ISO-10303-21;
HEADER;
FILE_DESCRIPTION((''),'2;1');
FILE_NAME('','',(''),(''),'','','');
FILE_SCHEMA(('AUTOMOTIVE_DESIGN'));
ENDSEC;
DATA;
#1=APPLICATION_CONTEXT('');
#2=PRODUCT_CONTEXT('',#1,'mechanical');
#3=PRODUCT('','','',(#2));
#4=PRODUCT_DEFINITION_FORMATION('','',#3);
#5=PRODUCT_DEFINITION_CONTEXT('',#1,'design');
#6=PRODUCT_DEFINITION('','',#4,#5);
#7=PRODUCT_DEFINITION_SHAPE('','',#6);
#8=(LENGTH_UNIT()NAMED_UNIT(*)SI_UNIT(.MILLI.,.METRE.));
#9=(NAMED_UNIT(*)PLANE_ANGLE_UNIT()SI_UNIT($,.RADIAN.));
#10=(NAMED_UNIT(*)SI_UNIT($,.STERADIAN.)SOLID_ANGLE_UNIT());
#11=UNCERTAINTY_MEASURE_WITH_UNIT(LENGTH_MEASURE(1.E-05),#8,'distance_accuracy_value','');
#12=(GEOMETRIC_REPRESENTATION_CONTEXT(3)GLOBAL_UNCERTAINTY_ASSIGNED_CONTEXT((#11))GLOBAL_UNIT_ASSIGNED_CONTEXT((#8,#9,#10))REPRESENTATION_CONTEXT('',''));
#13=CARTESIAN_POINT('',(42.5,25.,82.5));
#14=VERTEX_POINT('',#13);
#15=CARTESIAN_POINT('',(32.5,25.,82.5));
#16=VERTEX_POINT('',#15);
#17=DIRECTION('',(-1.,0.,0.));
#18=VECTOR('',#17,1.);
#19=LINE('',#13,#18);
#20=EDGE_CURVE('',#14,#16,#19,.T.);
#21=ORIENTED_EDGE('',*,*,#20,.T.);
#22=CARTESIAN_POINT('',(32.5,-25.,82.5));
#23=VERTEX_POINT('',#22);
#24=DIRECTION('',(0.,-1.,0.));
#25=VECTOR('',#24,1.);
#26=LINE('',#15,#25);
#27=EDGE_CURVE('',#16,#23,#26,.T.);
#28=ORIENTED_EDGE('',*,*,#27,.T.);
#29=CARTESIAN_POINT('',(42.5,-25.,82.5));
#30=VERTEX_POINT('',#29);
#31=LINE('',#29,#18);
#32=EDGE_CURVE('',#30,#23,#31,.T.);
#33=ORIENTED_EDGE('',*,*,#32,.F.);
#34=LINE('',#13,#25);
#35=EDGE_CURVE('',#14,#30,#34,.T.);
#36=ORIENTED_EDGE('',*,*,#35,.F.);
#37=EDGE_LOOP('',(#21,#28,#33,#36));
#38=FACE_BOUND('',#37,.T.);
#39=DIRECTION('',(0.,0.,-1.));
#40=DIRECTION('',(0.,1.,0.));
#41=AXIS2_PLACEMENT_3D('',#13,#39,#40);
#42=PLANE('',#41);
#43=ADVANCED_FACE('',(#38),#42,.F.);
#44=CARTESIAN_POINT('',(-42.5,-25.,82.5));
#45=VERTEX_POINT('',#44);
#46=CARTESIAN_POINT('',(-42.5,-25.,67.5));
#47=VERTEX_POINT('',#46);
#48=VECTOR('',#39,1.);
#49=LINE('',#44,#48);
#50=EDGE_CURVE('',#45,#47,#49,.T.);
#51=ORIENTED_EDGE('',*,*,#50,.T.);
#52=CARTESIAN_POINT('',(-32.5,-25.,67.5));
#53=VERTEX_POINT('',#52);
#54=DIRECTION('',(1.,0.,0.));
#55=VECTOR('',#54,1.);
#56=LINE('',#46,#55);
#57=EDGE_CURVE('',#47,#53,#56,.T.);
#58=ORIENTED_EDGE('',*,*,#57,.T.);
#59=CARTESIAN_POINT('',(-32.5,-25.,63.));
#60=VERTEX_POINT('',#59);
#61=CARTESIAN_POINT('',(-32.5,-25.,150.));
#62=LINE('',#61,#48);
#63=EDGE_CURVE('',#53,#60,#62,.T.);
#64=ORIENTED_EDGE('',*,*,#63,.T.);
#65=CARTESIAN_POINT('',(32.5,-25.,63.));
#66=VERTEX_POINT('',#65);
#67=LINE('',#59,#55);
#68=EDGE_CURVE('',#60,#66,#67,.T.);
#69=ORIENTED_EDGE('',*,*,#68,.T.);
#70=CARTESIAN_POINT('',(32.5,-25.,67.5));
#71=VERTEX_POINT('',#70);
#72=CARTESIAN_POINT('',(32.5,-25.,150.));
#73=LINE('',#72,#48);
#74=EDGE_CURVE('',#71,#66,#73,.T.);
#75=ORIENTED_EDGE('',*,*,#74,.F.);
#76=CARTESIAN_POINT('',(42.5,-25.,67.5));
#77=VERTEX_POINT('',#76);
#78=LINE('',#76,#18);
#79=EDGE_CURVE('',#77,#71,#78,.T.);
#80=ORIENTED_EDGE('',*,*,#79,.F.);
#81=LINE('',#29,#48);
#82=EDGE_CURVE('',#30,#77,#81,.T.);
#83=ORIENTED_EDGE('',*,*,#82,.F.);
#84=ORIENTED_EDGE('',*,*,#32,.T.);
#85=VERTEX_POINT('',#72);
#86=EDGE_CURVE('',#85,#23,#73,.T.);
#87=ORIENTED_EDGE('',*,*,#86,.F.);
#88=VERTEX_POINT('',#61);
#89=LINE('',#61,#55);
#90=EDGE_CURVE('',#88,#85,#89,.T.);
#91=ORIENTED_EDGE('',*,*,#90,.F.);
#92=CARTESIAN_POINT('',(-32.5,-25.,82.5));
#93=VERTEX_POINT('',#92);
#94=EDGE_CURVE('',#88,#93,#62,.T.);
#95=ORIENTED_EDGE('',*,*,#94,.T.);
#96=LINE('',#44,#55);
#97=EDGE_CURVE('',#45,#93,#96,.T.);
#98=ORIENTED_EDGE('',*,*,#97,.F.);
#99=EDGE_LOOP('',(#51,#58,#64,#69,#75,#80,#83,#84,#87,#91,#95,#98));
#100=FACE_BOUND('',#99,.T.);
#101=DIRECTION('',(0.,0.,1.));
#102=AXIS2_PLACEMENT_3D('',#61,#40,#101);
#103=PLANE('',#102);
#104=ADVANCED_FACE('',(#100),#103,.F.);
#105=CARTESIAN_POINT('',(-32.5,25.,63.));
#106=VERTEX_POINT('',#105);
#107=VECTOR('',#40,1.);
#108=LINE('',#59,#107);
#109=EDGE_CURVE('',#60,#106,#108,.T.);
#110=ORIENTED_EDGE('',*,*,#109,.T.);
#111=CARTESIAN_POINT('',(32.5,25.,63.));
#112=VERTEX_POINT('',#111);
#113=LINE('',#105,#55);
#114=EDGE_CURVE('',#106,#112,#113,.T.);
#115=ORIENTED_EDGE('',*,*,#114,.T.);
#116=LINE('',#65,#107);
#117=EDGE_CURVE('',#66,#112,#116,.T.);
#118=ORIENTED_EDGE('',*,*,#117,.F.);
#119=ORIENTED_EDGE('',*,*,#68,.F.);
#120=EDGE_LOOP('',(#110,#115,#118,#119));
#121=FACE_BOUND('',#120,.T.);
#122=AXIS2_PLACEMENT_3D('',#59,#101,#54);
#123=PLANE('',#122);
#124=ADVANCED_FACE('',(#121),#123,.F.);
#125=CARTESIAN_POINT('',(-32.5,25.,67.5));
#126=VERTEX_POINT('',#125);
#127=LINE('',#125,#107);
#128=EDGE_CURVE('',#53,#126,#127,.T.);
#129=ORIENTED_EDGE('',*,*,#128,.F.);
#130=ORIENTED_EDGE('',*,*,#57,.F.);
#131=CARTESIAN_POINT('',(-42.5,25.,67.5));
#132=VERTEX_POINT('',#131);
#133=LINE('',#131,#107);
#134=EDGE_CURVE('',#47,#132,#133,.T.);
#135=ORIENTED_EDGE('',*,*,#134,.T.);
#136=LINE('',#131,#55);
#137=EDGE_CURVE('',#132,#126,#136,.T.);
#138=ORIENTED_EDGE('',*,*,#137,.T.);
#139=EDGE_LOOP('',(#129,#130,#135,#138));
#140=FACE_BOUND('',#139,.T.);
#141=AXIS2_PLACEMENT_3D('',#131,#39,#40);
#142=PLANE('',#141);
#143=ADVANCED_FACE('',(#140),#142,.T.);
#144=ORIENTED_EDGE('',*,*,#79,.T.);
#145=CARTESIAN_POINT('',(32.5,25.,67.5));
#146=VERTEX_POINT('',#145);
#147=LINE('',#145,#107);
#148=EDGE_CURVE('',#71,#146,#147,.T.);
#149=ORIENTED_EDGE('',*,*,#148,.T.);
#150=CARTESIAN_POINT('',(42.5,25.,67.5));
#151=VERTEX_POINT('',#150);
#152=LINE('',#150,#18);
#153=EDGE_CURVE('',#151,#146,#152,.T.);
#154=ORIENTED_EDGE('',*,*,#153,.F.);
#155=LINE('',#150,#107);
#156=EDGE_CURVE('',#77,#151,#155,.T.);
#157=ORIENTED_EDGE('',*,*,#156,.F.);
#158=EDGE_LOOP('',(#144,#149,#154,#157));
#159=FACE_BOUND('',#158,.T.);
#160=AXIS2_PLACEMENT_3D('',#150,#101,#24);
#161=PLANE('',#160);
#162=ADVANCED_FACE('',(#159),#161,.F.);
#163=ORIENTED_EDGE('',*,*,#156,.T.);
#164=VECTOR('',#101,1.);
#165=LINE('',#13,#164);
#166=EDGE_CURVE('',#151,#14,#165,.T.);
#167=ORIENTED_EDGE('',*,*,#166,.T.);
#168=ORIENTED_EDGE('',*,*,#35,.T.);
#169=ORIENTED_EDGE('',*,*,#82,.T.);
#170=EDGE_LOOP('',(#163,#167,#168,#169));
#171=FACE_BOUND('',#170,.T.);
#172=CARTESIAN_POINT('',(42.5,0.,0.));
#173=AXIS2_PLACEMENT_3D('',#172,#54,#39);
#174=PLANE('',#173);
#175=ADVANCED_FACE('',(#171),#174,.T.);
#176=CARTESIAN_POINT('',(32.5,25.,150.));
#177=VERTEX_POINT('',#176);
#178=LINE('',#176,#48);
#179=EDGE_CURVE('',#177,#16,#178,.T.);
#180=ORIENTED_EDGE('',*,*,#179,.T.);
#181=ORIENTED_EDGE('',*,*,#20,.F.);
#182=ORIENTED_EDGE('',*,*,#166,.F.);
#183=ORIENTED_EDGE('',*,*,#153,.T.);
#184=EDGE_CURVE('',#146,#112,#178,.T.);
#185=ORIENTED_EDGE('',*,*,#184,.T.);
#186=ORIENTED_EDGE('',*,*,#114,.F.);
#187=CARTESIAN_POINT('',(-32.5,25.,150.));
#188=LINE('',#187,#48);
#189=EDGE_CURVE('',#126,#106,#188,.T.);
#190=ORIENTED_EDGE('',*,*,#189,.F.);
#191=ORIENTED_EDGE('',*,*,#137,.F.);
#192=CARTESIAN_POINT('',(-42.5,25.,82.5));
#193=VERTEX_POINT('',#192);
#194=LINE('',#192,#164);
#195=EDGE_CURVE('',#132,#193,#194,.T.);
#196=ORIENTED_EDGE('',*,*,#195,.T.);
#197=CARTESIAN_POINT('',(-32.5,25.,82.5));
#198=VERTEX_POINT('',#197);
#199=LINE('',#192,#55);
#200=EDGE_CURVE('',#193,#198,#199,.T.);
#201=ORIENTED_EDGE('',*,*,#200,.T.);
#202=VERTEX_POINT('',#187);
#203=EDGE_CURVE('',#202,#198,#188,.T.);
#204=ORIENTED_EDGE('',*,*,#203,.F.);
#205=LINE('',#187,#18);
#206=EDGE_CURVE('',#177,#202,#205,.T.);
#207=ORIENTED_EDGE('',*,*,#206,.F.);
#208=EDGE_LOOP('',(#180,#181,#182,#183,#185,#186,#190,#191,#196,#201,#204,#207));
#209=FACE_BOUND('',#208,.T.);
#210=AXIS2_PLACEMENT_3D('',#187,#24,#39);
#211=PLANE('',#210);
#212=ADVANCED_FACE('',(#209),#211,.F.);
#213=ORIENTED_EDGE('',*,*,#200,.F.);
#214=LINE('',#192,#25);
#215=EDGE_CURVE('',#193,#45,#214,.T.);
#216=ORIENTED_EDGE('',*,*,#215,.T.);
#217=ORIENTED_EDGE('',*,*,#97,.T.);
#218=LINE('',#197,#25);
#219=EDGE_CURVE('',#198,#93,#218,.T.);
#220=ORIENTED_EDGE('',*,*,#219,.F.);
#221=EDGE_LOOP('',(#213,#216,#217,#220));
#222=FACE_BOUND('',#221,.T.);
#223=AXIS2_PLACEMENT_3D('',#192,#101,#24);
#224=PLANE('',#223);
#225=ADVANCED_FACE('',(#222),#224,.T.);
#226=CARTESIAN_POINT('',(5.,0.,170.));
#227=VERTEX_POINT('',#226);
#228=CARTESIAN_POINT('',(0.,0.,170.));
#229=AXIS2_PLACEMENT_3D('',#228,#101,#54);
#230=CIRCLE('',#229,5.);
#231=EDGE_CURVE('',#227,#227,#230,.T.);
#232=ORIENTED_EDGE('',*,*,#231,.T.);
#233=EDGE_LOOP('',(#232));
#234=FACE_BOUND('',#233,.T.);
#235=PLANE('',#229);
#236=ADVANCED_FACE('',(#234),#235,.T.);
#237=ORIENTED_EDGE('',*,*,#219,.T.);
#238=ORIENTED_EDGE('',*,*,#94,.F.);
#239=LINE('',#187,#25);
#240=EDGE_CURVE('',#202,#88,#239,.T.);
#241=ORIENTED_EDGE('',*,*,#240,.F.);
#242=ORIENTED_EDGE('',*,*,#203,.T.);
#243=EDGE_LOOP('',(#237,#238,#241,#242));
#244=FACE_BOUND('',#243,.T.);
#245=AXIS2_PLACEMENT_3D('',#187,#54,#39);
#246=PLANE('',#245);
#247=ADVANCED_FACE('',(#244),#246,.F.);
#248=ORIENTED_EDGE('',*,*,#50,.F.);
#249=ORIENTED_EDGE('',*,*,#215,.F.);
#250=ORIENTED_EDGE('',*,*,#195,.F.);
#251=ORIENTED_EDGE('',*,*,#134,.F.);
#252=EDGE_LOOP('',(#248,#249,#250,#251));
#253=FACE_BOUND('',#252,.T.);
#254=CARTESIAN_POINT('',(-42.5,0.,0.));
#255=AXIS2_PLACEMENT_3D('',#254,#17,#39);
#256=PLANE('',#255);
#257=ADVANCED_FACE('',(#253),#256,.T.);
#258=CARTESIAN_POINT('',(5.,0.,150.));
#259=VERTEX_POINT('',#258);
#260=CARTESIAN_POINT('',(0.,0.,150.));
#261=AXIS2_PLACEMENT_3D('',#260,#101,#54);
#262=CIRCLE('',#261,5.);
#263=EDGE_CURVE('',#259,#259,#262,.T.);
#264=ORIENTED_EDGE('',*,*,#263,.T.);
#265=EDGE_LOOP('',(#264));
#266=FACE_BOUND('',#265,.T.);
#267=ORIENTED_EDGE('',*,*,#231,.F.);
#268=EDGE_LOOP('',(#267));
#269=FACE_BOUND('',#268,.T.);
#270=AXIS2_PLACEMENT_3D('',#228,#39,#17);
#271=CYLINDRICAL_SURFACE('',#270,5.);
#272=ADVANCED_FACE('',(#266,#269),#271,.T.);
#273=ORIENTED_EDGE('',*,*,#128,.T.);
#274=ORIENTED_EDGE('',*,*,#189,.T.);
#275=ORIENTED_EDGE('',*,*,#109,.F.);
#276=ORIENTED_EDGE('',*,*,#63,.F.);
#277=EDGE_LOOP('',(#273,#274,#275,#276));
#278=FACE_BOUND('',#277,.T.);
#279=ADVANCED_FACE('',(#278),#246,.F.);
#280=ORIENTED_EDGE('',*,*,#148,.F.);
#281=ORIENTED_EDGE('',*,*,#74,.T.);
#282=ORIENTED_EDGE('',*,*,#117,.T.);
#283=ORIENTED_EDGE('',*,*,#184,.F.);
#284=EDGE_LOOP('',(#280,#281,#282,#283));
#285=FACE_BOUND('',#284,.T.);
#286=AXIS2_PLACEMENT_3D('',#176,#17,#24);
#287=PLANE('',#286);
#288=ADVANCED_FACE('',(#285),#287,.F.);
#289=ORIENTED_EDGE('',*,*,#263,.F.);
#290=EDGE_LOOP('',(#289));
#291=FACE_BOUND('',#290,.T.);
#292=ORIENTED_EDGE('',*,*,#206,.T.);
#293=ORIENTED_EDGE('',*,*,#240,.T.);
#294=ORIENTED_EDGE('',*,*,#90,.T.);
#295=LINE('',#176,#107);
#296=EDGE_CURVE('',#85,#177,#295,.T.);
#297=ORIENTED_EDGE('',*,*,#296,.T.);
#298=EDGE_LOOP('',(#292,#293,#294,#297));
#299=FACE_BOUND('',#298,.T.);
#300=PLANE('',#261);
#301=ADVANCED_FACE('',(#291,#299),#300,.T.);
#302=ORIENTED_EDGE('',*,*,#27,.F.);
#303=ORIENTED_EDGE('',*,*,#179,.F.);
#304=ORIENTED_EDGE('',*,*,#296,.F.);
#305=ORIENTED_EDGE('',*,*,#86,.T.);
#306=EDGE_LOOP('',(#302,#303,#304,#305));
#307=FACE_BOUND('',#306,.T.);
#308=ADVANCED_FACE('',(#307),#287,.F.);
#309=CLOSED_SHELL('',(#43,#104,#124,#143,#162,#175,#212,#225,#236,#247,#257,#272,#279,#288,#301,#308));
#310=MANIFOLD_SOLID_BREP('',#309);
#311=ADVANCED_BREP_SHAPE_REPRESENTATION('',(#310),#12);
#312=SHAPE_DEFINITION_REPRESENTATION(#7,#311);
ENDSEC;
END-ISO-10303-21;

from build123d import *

# Parameters (mm, degrees)
SKETCH1_W           = 65
SKETCH1_H           = 50
BOSS_EXTRUDE1_DEPTH = 150
SKETCH2_W           = 15
SKETCH2_H           = 50
BOSS_EXTRUDE2_DEPTH = 10
SKETCH3_R           = 5
BOSS_EXTRUDE3_DEPTH = 20
SKETCH4_W           = 65
SKETCH4_H           = 63
CUT_EXTRUDE1_DEPTH  = 183.225821441


with BuildPart() as part:
    # Sketch1 → Boss-Extrude1 (new body)
    with BuildSketch(Plane.XY):
        Rectangle(SKETCH1_W, SKETCH1_H)
    extrude(amount=BOSS_EXTRUDE1_DEPTH)

    # Sketch2 → Boss-Extrude2 (add)
    with BuildSketch(Plane(origin=(32.5, 0, 0), x_dir=(0, 0, -1), z_dir=(1, 0, 0))):
        with Locations((-75, 0)):
            Rectangle(SKETCH2_W, SKETCH2_H)
    boss_extrude2 = extrude(amount=BOSS_EXTRUDE2_DEPTH)

    # Mirror1: Boss-Extrude2 across plane
    add(boss_extrude2.mirror(Plane(origin=(0, 0, 0), x_dir=(0, 0, 1), z_dir=(1, 0, 0))))

    # Sketch3 → Boss-Extrude3 (add)
    with BuildSketch(Plane.XY.offset(150)):
        Circle(SKETCH3_R)
    extrude(amount=BOSS_EXTRUDE3_DEPTH)

    # Sketch4 → Cut-Extrude1 (cut, through all)
    with BuildSketch(Plane(origin=(0, 25, 0), x_dir=(1, 0, 0), z_dir=(0, 1, 0))):
        with Locations((0, -31.5)):
            Rectangle(SKETCH4_W, SKETCH4_H)
    extrude(amount=-CUT_EXTRUDE1_DEPTH, mode=Mode.SUBTRACT)


solid = part.part
